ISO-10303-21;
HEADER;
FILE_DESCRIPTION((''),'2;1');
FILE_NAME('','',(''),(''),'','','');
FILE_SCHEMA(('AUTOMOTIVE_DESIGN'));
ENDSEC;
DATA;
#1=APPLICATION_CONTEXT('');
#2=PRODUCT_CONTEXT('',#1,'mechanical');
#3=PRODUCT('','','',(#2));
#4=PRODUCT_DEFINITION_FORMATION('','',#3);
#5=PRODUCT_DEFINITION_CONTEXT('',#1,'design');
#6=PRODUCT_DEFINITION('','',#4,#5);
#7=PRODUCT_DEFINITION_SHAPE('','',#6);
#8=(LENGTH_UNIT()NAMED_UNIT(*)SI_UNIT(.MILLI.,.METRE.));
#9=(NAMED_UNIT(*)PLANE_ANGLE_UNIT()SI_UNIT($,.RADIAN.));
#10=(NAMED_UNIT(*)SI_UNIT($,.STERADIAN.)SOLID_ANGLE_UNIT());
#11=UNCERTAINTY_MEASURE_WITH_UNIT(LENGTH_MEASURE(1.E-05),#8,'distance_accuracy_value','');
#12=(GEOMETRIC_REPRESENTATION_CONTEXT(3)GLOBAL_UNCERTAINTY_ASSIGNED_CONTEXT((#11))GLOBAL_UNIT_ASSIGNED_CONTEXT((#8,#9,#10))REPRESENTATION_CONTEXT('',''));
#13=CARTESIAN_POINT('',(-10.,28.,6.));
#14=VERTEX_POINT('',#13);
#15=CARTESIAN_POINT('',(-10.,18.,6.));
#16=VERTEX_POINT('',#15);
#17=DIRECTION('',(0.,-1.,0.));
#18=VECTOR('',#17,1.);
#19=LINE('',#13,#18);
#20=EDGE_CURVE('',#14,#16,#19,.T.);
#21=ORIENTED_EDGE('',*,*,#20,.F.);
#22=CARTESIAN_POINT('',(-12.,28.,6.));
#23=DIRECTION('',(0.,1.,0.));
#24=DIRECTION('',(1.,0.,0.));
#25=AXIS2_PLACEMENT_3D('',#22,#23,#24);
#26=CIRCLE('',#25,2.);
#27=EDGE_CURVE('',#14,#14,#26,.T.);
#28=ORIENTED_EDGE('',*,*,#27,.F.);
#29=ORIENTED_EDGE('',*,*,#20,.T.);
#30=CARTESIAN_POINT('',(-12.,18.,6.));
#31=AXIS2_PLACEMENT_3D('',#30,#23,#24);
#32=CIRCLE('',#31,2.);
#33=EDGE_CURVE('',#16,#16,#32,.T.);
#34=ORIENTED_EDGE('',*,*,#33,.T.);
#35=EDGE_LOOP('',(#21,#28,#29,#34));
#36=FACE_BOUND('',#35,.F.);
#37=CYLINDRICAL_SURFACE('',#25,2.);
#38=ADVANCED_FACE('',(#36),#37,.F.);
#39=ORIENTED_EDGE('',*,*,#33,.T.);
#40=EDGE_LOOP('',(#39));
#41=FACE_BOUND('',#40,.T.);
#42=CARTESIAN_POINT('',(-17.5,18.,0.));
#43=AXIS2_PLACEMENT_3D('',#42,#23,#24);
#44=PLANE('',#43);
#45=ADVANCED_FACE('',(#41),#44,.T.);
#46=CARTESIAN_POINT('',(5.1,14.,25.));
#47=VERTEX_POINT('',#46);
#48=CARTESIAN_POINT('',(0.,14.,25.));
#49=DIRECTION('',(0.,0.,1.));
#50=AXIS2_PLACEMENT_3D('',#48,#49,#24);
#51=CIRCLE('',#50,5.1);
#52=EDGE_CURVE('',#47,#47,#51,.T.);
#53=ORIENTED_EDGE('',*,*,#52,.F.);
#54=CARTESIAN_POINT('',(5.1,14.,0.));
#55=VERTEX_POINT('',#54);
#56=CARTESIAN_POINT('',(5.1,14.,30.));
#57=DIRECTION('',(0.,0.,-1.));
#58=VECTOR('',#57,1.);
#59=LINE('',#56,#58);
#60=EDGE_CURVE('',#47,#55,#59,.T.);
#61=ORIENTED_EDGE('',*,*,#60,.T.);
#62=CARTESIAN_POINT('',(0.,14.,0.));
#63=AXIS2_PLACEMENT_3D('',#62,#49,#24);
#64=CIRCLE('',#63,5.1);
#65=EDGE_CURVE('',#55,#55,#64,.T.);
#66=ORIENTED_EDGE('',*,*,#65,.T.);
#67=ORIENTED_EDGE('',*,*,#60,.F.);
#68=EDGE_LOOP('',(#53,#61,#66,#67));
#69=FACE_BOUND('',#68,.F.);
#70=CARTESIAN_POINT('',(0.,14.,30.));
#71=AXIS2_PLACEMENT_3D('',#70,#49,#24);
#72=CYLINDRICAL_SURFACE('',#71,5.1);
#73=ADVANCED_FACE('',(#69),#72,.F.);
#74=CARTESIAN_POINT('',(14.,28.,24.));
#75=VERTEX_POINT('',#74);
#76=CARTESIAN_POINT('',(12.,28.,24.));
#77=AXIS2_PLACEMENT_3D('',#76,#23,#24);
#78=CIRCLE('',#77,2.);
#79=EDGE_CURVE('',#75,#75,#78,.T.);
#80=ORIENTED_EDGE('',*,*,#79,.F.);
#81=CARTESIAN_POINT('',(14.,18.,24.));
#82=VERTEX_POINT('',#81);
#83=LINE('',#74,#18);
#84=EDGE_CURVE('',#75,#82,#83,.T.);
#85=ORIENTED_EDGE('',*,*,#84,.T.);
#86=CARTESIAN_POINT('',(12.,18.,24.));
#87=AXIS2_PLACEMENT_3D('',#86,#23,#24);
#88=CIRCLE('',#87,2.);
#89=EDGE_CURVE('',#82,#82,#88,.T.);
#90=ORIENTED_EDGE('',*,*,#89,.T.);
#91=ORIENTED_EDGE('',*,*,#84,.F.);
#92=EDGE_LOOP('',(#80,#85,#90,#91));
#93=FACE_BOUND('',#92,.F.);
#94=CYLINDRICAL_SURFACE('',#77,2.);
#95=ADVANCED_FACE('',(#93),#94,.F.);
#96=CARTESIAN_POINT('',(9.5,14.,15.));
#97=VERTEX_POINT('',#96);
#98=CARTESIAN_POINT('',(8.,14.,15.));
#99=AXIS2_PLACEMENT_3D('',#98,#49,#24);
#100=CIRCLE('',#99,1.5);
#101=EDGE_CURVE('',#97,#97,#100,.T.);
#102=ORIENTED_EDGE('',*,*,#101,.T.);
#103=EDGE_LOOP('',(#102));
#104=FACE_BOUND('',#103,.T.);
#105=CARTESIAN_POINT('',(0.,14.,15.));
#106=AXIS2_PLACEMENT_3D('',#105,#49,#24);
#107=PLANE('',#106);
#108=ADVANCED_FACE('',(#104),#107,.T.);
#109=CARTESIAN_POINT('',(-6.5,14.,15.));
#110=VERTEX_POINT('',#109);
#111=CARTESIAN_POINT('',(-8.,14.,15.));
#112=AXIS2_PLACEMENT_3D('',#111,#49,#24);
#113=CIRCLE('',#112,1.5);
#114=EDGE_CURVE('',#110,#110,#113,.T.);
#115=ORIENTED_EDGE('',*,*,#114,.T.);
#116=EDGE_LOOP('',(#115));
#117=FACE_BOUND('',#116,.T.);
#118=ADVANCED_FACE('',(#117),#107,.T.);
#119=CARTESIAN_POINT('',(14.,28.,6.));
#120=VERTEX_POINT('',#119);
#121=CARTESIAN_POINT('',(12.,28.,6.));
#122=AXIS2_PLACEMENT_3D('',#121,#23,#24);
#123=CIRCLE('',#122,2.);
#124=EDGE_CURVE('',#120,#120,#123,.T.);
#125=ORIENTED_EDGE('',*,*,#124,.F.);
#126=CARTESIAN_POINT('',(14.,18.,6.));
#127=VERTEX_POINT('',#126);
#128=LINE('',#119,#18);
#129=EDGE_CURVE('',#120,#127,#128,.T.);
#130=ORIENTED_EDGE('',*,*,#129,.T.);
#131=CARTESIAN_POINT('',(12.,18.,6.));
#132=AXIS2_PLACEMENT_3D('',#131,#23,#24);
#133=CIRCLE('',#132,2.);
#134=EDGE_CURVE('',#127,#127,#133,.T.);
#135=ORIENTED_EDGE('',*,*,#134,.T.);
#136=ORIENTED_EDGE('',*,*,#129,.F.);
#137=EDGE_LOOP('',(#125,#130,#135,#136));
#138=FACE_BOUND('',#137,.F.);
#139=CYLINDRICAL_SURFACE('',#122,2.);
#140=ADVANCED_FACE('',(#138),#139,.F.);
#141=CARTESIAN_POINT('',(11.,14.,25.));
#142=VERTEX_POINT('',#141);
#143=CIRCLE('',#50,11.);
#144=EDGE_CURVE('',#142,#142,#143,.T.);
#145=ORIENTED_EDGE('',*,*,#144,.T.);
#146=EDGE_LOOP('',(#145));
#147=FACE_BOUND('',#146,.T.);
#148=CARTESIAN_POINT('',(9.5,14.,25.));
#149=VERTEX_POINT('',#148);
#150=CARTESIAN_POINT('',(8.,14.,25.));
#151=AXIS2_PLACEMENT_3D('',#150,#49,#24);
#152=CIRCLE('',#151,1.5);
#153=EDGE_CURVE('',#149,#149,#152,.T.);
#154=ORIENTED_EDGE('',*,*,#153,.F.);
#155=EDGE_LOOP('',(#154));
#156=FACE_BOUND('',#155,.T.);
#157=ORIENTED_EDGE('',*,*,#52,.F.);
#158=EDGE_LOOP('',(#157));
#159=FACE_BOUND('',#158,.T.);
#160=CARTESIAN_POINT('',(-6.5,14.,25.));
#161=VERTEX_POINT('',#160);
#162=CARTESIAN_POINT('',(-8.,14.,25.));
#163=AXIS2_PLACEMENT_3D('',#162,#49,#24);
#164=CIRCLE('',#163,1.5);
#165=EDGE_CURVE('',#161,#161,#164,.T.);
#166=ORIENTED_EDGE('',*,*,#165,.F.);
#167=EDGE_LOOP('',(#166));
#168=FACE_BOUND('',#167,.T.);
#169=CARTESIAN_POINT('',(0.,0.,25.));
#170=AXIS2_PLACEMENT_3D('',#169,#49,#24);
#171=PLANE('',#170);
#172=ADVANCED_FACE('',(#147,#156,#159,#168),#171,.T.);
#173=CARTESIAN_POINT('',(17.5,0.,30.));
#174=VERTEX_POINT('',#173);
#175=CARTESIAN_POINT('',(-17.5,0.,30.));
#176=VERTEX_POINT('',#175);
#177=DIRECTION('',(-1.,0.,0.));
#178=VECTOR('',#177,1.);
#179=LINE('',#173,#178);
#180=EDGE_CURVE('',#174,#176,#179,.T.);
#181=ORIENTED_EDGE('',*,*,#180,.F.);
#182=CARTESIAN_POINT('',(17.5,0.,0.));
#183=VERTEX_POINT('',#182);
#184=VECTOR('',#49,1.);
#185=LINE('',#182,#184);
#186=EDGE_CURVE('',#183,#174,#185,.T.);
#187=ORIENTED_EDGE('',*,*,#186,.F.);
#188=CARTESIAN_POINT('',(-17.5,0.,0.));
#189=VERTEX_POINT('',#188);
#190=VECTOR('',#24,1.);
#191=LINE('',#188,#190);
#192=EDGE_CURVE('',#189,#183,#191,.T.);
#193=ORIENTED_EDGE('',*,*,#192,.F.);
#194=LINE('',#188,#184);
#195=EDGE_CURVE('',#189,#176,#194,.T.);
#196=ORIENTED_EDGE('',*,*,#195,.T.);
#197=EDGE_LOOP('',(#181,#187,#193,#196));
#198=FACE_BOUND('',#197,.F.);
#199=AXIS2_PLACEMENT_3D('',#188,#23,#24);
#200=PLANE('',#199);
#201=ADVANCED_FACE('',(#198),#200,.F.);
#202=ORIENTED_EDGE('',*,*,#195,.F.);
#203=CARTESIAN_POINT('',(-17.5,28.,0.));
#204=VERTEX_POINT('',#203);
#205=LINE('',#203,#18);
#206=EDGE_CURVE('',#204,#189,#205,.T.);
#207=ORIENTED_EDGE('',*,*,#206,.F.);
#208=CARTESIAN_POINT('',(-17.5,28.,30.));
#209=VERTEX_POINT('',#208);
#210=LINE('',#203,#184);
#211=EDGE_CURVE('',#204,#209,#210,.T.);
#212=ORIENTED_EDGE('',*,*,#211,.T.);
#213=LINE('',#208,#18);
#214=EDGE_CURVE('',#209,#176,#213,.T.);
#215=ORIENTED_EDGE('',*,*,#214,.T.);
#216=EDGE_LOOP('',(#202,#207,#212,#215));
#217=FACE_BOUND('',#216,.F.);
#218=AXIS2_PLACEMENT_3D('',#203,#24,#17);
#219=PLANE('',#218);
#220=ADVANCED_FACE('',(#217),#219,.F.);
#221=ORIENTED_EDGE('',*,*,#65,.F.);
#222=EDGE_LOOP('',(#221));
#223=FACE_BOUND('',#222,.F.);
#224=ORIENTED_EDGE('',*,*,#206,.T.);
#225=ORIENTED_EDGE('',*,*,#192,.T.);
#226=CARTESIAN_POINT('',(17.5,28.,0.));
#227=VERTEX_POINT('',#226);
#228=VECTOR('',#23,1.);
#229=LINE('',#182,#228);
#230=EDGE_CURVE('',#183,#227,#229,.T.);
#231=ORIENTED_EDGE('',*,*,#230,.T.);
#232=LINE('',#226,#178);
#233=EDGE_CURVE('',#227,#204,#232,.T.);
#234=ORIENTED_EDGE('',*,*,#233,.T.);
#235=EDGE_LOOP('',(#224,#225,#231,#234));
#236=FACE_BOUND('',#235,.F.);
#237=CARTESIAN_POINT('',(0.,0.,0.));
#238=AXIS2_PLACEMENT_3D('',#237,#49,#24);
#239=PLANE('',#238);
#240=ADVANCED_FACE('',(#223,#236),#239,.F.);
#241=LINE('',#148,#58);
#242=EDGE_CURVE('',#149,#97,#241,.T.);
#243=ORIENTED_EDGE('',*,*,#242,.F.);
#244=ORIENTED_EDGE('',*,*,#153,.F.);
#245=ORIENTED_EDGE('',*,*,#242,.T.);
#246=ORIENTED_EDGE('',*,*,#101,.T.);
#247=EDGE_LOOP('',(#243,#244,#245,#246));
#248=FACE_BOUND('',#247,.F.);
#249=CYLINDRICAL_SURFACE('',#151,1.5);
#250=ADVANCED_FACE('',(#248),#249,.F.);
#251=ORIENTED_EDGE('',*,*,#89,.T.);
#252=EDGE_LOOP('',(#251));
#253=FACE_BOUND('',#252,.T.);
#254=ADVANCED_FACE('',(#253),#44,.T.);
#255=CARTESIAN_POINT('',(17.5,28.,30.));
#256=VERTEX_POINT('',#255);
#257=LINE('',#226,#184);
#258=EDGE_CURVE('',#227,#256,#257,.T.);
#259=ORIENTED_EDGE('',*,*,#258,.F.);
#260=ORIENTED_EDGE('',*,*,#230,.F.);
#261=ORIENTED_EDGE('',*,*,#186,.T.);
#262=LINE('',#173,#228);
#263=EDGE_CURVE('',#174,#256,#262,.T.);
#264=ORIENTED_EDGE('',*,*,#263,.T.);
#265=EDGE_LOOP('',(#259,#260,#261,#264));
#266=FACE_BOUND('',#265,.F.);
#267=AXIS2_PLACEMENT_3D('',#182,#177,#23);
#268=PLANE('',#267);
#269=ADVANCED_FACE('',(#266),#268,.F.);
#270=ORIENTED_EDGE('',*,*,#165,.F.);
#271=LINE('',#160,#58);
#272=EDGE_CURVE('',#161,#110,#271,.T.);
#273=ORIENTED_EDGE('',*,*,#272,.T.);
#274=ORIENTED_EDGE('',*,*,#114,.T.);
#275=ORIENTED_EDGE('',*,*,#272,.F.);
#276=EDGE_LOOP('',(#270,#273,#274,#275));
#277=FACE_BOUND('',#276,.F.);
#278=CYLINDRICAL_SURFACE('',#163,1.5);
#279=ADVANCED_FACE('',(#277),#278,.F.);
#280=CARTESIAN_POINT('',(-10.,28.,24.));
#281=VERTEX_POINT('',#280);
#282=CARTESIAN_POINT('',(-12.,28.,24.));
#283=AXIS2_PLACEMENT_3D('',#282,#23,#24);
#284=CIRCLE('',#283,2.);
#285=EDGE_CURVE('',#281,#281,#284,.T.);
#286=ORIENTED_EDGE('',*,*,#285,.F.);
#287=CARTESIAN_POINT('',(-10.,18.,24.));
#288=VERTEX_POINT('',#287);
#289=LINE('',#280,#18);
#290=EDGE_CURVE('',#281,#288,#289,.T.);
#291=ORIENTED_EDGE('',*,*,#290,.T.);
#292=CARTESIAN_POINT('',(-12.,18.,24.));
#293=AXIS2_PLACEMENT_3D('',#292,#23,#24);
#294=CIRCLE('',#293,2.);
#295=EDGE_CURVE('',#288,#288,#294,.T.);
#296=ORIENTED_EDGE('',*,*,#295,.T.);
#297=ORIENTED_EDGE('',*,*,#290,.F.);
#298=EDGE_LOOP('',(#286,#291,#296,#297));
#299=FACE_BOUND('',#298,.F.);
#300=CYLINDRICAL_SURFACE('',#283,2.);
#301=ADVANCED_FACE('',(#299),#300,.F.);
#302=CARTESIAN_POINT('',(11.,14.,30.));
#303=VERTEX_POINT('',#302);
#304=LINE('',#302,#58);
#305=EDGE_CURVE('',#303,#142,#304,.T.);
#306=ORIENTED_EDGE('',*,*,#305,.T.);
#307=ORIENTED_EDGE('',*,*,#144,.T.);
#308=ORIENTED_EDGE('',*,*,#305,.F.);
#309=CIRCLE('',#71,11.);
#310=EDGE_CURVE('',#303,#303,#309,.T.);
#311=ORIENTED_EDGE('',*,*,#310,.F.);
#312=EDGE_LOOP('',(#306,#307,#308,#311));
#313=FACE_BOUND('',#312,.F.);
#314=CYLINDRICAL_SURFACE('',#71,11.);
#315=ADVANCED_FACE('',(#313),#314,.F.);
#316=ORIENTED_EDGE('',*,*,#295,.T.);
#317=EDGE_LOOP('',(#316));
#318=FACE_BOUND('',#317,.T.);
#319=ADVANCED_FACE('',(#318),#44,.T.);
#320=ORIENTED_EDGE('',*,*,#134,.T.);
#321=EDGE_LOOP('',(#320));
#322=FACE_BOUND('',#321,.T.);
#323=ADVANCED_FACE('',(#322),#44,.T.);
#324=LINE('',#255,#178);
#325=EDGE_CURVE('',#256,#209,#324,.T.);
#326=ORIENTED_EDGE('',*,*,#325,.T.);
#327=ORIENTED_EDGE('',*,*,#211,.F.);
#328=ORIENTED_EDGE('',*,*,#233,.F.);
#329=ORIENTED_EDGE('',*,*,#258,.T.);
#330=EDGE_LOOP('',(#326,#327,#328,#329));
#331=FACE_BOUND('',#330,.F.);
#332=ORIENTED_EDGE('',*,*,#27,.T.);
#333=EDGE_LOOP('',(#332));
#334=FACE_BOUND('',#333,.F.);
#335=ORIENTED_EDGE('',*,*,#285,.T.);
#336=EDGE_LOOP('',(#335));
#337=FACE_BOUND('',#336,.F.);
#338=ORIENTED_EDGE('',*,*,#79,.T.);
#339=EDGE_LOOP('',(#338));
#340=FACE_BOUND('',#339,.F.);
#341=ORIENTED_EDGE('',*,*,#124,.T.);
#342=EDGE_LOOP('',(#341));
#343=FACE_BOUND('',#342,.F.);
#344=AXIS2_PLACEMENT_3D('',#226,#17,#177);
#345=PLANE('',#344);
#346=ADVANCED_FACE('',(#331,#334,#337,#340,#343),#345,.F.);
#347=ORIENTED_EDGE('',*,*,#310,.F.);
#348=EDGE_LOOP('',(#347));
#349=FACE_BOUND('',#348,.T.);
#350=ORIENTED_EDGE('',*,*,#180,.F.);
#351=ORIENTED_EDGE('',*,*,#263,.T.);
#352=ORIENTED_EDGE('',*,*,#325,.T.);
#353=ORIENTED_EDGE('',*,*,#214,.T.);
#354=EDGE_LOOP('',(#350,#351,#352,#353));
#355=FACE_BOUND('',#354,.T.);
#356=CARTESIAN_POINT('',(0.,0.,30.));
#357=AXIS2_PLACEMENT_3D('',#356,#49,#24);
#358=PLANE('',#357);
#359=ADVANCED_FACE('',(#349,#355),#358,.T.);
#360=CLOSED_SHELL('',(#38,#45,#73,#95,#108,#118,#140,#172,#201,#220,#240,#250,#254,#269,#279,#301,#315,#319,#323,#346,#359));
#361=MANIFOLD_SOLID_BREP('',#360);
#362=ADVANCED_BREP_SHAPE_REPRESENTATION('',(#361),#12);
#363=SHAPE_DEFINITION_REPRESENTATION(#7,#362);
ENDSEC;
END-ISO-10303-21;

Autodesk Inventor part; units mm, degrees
ref_plane "YZ Plane" through (0, 0, 0) normal (1, 0, 0) x (0, 1, 0)
ref_plane "XZ Plane" through (0, 0, 0) normal (0, 1, 0) x (-1, 0, 0)
ref_plane "XY Plane" through (0, 0, 0) normal (0, 0, 1) x (1, 0, 0)
sketch "Sketch1" plane through (0, 0, 0) normal (0, 0, 1) x (1, 0, 0)
  line L0 (0, 0) -> (17.5, 0)
  line L1 (17.5, 0) -> (17.5, 28)
  line L2 (17.5, 28) -> (-17.5, 28)
  line L3 (-17.5, 28) -> (-17.5, 0)
  line L4 (-17.5, 0) -> (17.5, 0)
  dimension "d0" = 17.5
  dimension "d1" = 28
  dimension "d2" = 35
extrude "Extrusion1" add sketch "Sketch1" along normal blind 30
sketch "Sketch2" plane through (0, 0, 30) normal (0, 0, 1) x (1, 0, 0)
  circle A0 centre (0, 14) radius 5.1
  line L0 (17.5, 28) -> (-17.5, 28) projected
  line L1 (-17.5, 28) -> (-17.5, 0) projected
  point P0 (0, 0)
  dimension "d5" = 10.2
  dimension "d6" = 14
  dimension "d85" = 17.5
extrude "Extrusion2" cut sketch "Sketch2" against normal blind 30
sketch "Sketch4" plane through (-17.5, 28, 0) normal (0, 1, 0) x (1, 0, 0)
  line L0 (0, -30) -> (35, -30) projected
  line L1 (17.5, -30) -> (17.5, 3.7121)
  line L2 (0, 0) -> (0, -30) projected
  circle A0 centre (29.5, -6) radius 2
  circle A1 centre (5.5, -6) radius 2
  line L3 (34, -15) -> (-3.2563, -15)
  line L4 (35, 0) -> (0, 0) projected
  circle A2 centre (29.5, -24) radius 2
  circle A3 centre (5.5, -24) radius 2
  line L5 (35, 0) -> (35, -30) projected
  dimension "d37" = 17.5
  dimension "d38" = 4
  dimension "d39" = 4
  dimension "d42" = 15
  dimension "d43" = 4
  dimension "d44" = 4
  dimension "d61" = 6
  dimension "d62" = 6
  dimension "d63" = 6
  dimension "d64" = 6
  dimension "d86" = 12
  dimension "d87" = 12
  dimension "d88" = 12
  dimension "d89" = 12
extrude "Extrusion4" cut sketch "Sketch4" against normal blind 10 contours A0 | A1 | A2 | A3
thread "Thread7" size "M4x0.7" class "6H" standard "ANSI Metric M Profile" length 10
thread "Thread8" size "M4x0.7" class "6H" standard "ANSI Metric M Profile" full length
thread "Thread9" size "M4x0.7" class "6H" standard "ANSI Metric M Profile" length 10
thread "Thread10" size "M4x0.7" class "6H" standard "ANSI Metric M Profile" length 10
sketch "Sketch7" plane through (0, 0, 30) normal (0, 0, 1) x (1, 0, 0)
  circle A0 centre (0, 14) radius 5.1 projected
  circle A1 centre (0, 14) radius 11
  point P0 (0, 0)
  dimension "d72" = 22
extrude "Extrusion5" cut sketch "Sketch7" against normal blind 5
sketch "Sketch9" plane through (0, 14, 25) normal (0, 0, 1) x (1, 0, 0)
  circle A0 centre (-8, 0) radius 1.5
  circle A1 centre (8, 0) radius 1.5
  point P0 (0, -14)
  dimension "d76" = 3
  dimension "d78" = 3
extrude "Extrusion6" cut sketch "Sketch9" against normal blind 10
thread "Thread11" size "M3x0.5" class "6H" standard "ANSI Metric M Profile" length 10
thread "Thread12" size "M3x0.5" class "6H" standard "ANSI Metric M Profile" length 10
properties part number "AoVitmeT8"
